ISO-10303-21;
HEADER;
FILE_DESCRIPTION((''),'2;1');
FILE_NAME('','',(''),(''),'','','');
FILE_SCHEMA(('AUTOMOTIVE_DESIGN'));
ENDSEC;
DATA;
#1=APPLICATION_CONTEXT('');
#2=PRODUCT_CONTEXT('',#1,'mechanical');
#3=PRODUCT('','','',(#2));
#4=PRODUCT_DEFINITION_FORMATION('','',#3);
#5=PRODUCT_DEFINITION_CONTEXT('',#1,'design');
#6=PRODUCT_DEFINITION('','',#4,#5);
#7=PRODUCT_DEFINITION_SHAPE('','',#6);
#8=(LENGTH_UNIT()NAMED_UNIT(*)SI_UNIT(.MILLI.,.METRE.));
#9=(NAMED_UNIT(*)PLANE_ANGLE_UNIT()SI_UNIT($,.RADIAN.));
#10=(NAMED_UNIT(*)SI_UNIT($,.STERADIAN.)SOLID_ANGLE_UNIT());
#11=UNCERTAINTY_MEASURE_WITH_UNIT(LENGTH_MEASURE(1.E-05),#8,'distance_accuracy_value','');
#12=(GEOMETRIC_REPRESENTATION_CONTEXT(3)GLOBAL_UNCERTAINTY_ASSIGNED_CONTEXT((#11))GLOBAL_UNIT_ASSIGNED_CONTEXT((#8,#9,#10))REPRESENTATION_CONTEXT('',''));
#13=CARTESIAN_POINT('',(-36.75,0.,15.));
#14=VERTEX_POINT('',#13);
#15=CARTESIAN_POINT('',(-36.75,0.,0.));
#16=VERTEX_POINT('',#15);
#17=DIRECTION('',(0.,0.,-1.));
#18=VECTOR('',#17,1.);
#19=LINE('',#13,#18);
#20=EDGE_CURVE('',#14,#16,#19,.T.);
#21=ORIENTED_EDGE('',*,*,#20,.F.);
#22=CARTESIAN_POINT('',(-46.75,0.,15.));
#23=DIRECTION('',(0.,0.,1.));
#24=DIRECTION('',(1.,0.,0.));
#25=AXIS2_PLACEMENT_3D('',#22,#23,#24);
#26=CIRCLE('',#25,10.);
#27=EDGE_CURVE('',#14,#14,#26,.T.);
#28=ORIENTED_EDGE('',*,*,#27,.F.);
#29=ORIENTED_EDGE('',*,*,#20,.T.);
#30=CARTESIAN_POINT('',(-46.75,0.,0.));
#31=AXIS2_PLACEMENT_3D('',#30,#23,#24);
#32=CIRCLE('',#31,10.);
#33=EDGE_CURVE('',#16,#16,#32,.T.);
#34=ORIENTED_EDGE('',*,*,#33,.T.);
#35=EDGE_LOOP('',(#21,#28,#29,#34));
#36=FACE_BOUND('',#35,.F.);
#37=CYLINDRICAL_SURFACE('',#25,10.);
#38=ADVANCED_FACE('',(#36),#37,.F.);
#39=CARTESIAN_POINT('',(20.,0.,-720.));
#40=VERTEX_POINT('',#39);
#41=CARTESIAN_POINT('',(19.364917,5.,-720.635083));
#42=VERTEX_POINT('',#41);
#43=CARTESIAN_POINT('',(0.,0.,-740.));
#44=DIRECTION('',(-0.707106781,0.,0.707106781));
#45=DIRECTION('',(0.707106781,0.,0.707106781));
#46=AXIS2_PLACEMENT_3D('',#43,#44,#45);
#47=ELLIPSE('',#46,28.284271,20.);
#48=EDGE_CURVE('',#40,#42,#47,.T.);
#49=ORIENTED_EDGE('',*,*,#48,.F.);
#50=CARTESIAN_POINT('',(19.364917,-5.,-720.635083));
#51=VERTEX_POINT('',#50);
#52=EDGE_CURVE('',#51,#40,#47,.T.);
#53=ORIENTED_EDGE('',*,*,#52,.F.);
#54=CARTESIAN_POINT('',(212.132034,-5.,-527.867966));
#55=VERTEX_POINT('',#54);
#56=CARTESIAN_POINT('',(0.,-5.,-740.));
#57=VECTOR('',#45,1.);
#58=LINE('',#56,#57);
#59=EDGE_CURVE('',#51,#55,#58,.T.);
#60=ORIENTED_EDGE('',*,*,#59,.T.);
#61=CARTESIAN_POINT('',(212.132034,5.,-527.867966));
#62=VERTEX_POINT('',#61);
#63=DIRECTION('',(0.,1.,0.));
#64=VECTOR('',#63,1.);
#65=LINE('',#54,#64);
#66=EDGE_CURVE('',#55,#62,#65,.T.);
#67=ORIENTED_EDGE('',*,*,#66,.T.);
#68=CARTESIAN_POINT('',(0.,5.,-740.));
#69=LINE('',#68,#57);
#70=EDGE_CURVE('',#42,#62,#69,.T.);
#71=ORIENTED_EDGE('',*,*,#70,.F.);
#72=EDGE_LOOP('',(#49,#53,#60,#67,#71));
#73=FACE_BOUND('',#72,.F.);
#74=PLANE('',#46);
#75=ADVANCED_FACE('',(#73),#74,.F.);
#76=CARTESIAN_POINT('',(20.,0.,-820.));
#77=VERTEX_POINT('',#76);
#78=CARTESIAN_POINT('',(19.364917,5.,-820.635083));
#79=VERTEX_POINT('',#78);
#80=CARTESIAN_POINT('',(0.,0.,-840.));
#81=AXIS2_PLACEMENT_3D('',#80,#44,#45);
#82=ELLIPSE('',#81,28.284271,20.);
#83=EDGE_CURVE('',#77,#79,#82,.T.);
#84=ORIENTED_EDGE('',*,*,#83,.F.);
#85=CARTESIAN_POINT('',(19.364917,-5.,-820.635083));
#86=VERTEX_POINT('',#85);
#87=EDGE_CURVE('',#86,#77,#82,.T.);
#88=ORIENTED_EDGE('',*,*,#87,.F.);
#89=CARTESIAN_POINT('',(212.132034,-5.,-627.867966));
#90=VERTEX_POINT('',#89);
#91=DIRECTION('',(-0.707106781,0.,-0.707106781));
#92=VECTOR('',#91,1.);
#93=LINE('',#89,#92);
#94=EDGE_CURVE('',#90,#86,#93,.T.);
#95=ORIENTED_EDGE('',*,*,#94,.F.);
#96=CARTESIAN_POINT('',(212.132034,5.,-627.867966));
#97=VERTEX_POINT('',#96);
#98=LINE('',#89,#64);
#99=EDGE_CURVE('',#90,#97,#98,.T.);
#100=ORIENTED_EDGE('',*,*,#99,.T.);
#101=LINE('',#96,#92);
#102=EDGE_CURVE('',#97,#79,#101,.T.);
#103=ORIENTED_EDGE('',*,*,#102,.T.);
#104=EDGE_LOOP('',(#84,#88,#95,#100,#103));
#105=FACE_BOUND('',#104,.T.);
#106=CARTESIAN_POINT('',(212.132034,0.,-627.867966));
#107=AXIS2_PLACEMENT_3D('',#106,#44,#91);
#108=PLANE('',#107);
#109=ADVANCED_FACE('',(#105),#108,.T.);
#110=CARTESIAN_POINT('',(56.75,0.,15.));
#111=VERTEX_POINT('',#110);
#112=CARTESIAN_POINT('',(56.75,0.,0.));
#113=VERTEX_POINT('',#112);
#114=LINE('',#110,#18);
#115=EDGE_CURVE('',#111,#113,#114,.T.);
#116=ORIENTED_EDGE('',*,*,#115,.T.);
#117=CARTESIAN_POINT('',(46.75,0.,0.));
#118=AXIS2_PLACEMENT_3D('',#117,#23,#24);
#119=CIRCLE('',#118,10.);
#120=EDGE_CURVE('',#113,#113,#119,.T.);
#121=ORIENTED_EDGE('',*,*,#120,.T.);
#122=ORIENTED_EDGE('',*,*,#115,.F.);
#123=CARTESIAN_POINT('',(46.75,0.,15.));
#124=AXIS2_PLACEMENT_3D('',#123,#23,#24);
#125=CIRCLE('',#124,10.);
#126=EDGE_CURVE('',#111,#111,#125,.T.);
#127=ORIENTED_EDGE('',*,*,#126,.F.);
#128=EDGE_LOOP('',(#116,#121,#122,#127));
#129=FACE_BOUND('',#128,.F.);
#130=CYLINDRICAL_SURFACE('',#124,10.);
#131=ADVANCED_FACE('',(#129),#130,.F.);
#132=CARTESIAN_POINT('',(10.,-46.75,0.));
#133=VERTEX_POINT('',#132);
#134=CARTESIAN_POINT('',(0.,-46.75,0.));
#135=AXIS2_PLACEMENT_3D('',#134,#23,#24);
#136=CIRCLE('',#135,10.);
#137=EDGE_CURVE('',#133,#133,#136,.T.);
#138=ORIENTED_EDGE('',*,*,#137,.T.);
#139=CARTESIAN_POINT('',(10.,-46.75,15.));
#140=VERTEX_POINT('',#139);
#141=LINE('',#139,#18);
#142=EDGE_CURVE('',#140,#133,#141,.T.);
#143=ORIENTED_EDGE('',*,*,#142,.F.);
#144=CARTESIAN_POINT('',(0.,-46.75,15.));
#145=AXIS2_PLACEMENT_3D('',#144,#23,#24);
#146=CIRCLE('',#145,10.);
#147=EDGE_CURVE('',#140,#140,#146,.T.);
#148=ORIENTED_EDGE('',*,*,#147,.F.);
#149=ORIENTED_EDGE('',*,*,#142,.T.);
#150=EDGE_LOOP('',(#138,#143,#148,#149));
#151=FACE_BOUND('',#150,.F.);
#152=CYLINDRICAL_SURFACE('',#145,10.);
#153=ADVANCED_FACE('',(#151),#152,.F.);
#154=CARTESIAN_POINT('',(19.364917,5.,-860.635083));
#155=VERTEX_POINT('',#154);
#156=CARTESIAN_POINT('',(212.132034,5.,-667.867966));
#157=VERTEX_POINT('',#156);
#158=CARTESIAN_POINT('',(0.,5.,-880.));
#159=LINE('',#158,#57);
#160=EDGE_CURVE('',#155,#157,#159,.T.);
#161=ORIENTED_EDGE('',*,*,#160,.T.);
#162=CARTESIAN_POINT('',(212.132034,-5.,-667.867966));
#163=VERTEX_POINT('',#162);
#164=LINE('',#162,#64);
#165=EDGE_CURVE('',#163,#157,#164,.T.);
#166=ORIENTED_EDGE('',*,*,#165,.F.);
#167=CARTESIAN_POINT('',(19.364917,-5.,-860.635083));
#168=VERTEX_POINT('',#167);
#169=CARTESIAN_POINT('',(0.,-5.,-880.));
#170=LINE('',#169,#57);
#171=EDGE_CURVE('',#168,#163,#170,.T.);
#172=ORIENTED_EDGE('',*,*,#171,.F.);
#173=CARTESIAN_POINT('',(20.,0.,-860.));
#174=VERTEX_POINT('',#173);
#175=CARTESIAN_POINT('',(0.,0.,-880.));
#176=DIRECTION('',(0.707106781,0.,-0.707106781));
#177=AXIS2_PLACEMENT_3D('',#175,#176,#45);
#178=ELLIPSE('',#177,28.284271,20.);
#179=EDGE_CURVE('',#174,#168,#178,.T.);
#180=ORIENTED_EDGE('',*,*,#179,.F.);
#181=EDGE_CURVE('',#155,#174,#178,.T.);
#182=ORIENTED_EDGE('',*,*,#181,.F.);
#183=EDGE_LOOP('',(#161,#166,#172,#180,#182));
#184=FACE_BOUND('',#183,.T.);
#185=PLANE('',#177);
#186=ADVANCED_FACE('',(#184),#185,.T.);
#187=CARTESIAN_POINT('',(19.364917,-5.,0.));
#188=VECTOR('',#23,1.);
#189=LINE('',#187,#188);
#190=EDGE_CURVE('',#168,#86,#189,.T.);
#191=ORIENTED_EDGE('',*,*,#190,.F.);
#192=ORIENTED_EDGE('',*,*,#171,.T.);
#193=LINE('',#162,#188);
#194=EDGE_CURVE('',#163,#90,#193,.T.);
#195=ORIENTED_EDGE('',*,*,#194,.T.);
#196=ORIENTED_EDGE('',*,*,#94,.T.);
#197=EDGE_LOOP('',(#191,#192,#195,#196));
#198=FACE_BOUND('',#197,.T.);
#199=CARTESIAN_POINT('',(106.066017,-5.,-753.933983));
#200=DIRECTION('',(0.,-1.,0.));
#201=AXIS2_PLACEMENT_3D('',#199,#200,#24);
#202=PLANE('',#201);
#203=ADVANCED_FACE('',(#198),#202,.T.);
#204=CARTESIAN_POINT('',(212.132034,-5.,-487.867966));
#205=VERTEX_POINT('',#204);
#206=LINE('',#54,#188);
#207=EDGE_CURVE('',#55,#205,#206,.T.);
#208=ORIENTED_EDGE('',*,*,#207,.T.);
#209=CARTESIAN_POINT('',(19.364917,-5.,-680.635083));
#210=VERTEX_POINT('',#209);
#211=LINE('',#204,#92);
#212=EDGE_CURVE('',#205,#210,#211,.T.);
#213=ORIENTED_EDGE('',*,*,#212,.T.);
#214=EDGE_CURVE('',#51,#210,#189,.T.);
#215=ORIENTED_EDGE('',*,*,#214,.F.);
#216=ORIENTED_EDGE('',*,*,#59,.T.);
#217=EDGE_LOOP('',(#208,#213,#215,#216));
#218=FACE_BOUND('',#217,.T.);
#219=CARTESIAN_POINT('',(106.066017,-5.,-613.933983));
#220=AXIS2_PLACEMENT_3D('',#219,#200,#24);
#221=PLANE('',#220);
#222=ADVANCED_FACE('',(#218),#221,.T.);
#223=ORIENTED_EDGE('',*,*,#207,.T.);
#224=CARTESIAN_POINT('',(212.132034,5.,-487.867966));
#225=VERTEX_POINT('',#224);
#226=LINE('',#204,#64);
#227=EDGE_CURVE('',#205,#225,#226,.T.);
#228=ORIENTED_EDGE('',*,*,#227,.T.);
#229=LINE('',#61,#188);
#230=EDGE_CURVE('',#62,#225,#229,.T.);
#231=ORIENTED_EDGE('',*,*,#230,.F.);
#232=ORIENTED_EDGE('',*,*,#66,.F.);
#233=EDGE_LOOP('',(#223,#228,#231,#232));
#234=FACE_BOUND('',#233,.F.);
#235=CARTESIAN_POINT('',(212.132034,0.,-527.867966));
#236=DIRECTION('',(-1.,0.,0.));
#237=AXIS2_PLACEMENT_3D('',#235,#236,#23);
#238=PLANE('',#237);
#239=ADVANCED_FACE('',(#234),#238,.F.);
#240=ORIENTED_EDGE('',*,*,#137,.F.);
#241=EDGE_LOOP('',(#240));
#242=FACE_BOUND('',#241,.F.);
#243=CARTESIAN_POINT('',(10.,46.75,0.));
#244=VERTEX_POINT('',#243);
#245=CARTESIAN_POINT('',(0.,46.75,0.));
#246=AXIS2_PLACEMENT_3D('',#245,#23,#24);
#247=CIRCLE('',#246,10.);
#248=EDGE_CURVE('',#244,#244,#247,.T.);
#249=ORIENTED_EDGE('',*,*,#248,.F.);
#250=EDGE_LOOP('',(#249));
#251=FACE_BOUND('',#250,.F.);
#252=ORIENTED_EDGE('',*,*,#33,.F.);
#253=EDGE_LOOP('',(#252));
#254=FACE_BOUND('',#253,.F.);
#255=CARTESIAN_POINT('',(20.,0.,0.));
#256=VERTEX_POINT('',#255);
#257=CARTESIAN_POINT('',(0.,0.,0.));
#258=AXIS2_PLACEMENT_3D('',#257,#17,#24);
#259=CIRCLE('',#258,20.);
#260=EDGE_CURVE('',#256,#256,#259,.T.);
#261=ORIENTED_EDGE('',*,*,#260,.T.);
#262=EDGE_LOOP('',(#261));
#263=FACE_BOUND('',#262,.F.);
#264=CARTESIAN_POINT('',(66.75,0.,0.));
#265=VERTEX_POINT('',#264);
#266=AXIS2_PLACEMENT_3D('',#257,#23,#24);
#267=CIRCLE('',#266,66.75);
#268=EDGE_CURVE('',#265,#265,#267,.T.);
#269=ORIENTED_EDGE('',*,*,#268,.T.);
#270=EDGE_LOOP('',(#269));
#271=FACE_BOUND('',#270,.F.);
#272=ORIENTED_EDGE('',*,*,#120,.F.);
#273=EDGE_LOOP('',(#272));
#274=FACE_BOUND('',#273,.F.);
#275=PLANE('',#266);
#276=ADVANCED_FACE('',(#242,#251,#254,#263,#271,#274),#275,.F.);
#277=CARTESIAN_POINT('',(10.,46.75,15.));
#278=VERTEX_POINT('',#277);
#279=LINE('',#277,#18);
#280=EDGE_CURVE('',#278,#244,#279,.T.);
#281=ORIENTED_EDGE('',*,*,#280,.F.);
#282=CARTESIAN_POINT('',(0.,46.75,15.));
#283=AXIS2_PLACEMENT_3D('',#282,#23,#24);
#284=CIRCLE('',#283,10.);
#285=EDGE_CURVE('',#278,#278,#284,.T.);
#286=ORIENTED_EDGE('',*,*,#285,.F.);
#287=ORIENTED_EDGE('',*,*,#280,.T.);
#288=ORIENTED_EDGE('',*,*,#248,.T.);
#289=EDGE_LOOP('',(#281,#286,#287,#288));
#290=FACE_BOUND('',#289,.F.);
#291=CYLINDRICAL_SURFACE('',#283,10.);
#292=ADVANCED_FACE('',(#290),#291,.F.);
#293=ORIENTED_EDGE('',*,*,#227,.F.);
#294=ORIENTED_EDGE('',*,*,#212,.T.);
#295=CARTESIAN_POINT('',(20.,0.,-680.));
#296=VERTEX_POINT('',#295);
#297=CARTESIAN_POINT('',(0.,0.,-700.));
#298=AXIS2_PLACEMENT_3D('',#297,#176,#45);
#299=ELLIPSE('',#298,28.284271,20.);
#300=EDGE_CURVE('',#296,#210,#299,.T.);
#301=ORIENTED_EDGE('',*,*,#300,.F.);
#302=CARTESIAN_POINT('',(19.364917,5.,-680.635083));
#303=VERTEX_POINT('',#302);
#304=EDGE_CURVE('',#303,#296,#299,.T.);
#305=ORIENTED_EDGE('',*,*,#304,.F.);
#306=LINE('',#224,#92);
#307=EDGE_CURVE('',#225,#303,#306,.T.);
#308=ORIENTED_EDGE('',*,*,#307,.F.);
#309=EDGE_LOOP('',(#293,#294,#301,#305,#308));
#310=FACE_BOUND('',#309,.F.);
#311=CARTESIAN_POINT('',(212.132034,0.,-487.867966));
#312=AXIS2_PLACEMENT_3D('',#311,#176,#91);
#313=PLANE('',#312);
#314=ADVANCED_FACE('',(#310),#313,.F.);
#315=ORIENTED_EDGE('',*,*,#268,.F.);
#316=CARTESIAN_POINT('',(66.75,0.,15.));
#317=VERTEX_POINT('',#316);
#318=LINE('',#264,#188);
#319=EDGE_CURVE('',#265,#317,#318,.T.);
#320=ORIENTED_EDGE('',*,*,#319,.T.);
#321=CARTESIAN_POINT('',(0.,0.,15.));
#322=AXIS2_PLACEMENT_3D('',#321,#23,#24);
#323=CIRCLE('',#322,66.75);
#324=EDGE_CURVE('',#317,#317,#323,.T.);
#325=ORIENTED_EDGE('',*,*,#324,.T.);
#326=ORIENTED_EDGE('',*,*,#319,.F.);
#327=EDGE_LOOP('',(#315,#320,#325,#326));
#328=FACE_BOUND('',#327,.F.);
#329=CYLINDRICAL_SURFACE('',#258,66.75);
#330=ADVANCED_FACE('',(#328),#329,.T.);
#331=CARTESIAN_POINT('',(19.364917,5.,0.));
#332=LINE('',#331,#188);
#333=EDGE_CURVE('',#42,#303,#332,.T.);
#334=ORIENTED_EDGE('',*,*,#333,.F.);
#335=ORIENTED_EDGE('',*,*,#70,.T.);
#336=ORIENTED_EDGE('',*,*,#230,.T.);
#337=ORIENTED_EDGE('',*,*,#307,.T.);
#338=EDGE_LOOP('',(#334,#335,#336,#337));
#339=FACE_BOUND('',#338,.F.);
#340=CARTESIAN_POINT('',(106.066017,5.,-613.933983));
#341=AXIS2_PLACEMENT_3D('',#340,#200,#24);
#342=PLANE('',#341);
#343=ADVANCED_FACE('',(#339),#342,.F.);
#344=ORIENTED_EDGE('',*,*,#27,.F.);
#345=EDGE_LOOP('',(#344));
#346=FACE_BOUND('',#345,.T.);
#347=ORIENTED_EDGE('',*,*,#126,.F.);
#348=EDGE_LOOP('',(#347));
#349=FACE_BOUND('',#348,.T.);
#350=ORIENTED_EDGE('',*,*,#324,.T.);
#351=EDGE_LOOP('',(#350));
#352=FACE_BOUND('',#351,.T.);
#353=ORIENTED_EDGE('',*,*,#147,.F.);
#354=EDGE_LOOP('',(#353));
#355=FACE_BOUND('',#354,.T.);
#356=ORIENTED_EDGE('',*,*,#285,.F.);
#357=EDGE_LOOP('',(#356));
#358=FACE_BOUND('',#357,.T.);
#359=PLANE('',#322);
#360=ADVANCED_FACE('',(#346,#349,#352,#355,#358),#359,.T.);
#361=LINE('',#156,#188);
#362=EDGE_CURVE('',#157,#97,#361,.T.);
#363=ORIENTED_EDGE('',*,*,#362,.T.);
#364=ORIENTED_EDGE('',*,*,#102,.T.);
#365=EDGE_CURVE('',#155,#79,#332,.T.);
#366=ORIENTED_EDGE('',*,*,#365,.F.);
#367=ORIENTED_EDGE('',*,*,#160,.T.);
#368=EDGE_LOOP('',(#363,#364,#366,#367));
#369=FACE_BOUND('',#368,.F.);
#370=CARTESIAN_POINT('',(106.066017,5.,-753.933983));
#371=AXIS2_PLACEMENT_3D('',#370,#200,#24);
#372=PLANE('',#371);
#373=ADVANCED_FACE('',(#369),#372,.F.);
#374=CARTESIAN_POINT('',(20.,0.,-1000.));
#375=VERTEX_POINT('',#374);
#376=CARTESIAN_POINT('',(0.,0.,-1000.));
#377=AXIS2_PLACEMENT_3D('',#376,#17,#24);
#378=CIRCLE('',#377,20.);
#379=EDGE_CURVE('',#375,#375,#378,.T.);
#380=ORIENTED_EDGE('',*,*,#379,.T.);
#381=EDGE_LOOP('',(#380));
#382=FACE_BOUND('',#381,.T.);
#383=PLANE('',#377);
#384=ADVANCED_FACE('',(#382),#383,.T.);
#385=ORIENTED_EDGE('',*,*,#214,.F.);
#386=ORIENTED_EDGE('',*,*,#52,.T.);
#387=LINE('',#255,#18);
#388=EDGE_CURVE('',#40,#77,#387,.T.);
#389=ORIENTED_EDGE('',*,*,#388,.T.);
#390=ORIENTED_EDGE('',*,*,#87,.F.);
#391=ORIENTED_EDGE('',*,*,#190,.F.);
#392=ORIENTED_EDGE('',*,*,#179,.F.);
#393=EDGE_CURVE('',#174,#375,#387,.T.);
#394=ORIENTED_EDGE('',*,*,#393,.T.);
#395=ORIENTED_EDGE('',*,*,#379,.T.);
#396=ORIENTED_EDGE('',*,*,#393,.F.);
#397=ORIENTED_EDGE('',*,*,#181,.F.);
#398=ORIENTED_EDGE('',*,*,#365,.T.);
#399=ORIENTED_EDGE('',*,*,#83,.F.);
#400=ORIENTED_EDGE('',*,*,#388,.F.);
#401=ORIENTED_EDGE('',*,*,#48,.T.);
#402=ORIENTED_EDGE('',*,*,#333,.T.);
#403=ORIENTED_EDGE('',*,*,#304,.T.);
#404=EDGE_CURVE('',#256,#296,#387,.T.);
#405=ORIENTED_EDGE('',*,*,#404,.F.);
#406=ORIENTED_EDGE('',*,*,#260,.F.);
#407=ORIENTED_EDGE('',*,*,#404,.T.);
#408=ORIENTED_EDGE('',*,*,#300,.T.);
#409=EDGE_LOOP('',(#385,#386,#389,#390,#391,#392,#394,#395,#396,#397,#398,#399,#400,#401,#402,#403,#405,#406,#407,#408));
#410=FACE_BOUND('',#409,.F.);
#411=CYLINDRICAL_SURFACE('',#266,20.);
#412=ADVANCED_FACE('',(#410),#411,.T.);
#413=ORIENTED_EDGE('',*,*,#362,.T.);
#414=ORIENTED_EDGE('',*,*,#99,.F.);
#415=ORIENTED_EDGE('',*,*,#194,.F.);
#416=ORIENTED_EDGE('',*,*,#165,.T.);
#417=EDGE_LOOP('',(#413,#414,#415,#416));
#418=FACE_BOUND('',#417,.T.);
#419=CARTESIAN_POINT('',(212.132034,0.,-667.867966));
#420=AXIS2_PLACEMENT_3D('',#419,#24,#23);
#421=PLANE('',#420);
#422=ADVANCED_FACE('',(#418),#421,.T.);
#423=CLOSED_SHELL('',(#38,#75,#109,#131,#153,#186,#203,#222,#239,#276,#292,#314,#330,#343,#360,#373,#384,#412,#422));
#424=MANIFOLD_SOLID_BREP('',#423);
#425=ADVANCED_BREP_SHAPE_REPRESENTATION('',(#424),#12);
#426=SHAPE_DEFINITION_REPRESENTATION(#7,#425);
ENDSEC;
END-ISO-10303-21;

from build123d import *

# Parameters (mm, degrees)
F0_R     = 66.75
F1_DEPTH = 15
F2_R     = 20
F3_DEPTH = 1000
F5_DEPTH = 5
F6_R     = 10
F7_DEPTH = 50.8


with BuildPart() as f1:
    # F0 (on Top) → F1 (new body)
    with BuildSketch(Plane.XY):
        Circle(F0_R)
    extrude(amount=F1_DEPTH)

    # F2 (on face) → F3 (join)
    with BuildSketch(Plane(origin=(0, 0, 0), x_dir=(1, 0, 0), z_dir=(0, 0, -1))):
        Circle(F2_R)
    extrude(amount=F3_DEPTH)

    # F4 (on Front) → F5 (join, symmetric)
    with BuildSketch(Plane.XZ):
        Polygon((212.132034, -487.867966), (0, -700), (0, -740), (212.132034, -527.867966), align=None)
        Polygon((212.132034, -627.867966), (0, -840), (0, -880), (212.132034, -667.867966), align=None)
    extrude(amount=F5_DEPTH, both=True)

    # F6 (on face) → F7 (cut)
    with BuildSketch(Plane.XY.offset(15)):
        with Locations((0, -46.75)):
            Circle(F6_R)
        with Locations((46.75, 0)):
            Circle(F6_R)
        with Locations((0, 46.75)):
            Circle(F6_R)
        with Locations((-46.75, 0)):
            Circle(F6_R)
    extrude(amount=-F7_DEPTH, mode=Mode.SUBTRACT)


solid = f1.part
